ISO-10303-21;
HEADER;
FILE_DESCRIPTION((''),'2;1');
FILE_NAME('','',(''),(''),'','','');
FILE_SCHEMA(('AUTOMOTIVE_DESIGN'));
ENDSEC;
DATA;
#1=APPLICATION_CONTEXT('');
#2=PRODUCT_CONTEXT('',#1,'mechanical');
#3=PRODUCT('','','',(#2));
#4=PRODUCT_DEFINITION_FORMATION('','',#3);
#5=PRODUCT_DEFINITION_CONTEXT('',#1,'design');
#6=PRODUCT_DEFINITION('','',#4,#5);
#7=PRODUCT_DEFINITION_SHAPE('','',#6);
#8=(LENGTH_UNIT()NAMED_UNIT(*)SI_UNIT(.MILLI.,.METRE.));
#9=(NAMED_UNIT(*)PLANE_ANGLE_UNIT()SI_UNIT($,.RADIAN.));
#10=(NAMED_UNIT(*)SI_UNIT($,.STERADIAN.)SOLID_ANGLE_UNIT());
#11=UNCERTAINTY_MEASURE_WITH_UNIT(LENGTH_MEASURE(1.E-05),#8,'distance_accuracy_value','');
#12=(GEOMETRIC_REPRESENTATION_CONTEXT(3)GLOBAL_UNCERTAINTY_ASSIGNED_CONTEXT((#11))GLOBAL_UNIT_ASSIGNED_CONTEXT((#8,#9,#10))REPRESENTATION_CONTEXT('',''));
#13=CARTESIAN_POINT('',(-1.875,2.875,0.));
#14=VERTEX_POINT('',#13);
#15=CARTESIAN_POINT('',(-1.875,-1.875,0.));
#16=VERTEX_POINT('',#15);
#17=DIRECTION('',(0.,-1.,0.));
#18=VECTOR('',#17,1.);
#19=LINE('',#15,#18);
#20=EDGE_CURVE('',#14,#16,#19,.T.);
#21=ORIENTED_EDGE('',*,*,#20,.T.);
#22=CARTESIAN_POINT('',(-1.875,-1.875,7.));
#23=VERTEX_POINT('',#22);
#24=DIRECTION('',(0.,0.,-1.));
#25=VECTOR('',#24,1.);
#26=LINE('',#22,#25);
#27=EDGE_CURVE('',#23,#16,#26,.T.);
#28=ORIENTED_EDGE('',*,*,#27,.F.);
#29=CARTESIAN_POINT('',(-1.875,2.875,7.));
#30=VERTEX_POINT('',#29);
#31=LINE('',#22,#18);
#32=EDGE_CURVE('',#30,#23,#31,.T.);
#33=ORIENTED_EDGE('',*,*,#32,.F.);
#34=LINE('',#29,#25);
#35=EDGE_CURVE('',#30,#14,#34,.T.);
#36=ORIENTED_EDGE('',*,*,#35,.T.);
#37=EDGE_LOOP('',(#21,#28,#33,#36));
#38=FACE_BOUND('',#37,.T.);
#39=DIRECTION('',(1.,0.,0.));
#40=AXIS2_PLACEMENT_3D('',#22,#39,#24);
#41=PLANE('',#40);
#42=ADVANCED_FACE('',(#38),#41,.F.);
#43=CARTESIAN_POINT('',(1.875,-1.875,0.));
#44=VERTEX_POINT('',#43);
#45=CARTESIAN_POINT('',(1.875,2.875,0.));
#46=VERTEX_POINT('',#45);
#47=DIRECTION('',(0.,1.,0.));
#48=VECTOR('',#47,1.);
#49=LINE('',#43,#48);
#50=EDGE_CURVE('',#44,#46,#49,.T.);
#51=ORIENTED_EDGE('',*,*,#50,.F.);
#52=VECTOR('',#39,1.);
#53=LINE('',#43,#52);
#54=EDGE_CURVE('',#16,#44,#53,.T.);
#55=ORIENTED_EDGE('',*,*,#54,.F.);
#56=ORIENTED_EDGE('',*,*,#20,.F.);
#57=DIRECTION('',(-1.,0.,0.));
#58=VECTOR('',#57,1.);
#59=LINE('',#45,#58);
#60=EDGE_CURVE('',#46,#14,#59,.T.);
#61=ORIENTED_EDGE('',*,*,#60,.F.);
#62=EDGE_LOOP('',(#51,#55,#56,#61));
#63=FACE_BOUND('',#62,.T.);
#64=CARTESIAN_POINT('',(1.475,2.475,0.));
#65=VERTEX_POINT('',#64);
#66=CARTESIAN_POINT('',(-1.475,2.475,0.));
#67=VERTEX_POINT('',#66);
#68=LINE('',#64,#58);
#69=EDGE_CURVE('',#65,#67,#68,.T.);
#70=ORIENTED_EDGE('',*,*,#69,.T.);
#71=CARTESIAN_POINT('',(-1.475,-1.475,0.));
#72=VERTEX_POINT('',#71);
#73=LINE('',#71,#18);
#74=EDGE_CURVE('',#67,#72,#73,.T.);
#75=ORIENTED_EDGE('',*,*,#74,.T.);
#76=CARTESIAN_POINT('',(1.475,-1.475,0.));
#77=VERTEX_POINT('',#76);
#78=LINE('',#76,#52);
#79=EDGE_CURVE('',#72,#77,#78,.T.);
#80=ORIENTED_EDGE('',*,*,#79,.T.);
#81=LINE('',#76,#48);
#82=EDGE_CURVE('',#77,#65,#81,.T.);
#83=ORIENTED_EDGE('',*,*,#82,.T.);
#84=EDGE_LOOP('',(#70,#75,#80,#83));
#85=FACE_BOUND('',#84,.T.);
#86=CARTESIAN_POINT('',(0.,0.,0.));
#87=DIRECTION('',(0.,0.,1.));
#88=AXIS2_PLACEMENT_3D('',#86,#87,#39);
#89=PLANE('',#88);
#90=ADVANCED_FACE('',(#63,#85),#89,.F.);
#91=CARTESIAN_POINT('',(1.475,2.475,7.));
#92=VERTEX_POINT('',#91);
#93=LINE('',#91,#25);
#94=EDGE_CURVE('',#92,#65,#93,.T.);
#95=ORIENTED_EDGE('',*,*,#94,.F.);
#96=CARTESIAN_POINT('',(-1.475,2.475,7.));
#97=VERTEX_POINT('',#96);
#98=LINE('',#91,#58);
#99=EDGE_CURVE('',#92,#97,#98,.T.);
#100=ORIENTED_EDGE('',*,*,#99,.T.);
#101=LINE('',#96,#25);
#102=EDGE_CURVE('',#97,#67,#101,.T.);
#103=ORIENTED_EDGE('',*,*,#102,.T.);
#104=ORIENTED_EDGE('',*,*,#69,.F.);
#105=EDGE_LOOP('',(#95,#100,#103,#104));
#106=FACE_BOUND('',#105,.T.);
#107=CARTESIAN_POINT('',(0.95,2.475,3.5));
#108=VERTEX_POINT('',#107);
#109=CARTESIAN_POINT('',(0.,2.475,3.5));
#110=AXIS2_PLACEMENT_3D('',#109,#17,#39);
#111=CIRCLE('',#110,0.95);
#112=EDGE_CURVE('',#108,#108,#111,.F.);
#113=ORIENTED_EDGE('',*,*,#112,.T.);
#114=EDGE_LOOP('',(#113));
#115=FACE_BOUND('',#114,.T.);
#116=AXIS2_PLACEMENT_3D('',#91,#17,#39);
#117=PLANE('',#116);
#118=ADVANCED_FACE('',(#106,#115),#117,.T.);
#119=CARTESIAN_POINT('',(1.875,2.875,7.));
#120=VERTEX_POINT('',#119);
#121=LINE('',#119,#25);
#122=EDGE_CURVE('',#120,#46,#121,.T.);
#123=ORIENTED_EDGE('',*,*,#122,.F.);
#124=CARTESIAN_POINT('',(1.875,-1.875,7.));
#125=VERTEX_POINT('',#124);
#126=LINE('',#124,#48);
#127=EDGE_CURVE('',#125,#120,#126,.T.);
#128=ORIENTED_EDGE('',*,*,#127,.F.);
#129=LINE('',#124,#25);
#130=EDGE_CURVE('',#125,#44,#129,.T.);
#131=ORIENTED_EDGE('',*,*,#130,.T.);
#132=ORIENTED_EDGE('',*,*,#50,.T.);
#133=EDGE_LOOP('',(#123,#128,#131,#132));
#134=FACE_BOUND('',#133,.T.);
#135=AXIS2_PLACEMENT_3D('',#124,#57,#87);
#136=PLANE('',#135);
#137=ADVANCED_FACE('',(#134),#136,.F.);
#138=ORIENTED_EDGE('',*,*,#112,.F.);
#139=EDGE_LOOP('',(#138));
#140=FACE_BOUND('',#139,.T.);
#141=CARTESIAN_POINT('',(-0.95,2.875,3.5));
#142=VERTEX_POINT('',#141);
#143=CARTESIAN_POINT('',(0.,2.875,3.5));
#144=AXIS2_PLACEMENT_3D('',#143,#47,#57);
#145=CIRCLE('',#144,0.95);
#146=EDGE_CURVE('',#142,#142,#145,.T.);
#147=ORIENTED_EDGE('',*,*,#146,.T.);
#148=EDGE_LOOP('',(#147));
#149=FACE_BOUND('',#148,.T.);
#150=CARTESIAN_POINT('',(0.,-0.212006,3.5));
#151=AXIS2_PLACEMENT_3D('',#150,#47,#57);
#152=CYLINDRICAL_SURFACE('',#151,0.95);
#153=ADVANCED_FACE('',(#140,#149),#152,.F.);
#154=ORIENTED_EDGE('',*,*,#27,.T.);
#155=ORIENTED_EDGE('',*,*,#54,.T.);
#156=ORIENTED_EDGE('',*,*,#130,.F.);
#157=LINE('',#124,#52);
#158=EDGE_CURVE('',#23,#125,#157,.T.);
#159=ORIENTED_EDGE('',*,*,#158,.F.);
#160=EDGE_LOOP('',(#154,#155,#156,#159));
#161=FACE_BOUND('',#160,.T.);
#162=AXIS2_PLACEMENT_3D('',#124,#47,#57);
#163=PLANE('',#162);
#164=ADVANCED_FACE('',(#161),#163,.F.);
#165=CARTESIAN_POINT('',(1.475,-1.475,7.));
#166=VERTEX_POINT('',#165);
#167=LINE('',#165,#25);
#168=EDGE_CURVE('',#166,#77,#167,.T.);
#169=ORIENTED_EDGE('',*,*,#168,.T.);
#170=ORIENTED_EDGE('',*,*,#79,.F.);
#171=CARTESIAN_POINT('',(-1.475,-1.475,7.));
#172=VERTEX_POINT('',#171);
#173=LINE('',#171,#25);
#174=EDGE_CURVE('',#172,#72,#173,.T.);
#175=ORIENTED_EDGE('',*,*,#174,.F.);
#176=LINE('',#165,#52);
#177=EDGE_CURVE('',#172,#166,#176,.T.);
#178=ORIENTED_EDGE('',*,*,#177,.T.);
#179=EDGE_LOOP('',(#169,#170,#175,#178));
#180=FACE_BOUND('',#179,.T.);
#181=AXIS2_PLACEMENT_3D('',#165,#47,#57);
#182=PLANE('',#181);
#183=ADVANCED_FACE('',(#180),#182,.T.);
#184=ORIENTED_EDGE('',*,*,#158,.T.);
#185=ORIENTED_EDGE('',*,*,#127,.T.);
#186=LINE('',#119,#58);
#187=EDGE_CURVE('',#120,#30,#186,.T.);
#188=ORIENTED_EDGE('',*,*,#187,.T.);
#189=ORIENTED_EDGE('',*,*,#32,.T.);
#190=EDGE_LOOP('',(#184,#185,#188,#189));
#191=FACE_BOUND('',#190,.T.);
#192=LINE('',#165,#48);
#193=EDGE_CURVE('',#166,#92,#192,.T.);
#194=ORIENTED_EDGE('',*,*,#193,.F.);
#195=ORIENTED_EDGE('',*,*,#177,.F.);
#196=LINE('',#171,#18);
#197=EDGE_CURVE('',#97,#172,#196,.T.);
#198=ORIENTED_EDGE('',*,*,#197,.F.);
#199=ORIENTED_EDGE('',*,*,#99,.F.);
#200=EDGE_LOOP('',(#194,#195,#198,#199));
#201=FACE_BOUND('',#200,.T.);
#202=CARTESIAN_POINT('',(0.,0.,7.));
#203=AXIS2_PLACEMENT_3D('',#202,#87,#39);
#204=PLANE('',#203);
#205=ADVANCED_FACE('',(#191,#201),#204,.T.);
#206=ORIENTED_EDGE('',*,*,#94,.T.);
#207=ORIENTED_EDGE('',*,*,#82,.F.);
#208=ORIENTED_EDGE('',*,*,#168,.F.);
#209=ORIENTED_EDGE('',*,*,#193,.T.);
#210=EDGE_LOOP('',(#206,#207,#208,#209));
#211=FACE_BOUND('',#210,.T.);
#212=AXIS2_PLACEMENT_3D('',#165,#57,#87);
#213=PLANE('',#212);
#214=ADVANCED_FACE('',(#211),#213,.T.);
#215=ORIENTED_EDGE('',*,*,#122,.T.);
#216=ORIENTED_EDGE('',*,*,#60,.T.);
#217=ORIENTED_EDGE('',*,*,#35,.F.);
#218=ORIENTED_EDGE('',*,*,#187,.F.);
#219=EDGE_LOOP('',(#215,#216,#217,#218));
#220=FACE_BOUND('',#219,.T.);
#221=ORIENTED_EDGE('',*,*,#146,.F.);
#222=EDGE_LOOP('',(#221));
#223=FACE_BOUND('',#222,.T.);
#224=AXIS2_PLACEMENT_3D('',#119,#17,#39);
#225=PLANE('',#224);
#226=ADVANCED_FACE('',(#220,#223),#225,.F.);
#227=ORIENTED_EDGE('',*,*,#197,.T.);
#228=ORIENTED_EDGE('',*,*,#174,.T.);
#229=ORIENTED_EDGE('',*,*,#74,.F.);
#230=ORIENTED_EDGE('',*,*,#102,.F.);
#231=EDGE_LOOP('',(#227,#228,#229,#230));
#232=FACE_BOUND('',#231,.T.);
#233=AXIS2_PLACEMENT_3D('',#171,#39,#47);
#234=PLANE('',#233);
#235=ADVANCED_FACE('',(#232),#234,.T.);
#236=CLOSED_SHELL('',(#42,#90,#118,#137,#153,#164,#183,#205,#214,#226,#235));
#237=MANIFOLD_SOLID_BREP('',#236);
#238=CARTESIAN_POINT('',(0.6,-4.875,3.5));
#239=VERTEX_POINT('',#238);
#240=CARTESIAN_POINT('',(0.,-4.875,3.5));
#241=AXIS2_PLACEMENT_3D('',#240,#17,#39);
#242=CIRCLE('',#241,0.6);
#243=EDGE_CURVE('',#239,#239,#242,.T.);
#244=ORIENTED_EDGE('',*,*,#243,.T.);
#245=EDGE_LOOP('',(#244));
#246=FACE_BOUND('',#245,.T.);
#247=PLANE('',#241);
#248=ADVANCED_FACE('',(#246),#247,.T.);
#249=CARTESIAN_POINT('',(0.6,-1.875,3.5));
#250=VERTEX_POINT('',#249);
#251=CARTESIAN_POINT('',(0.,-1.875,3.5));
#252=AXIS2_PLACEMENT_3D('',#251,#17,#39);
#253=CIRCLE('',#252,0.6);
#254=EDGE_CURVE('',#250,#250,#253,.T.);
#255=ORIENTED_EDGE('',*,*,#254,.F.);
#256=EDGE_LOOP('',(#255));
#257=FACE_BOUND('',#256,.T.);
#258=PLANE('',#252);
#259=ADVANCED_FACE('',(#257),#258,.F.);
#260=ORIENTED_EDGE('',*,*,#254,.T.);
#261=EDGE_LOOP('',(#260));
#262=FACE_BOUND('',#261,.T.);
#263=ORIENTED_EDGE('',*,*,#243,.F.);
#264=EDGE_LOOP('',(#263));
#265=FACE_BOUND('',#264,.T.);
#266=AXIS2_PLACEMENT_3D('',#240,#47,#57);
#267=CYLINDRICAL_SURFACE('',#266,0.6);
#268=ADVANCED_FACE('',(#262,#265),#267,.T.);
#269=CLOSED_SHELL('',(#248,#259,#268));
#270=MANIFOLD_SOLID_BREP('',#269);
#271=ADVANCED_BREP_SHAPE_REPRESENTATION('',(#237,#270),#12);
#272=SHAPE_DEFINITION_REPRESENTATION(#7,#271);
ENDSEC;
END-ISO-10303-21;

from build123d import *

# Parameters (mm, degrees)
SKETCH1_W           = 3.75
SKETCH1_H           = 4.75
SKETCH1_W_2         = 2.95
SKETCH1_H_2         = 3.95
BOSS_EXTRUDE1_DEPTH = 7
SKETCH2_R           = 0.6
BOSS_EXTRUDE2_DEPTH = 3
SKETCH3_R           = 0.95
CUT_EXTRUDE4_DEPTH  = 0.4


with BuildPart() as part:
    # Sketch1 → Boss-Extrude1 (new body)
    with BuildSketch(Plane.XY):
        with Locations((0, 0.5)):
            Rectangle(SKETCH1_W, SKETCH1_H)
        with Locations((0, 0.5)):
            Rectangle(SKETCH1_W_2, SKETCH1_H_2, mode=Mode.SUBTRACT)
    extrude(amount=BOSS_EXTRUDE1_DEPTH)

    # Sketch3 → Cut-Extrude4 (cut)
    with BuildSketch(Plane(origin=(0, 2.875, 0), x_dir=(1, 0, 0), z_dir=(0, 1, 0))):
        with Locations(Location((0, -3.5, 0), (0, 0, 180))):  # turned: the seam where the file's is
            Circle(SKETCH3_R)
    extrude(amount=-CUT_EXTRUDE4_DEPTH, mode=Mode.SUBTRACT)


with BuildPart() as body_2:
    # Sketch2 → Boss-Extrude2 (new body)
    with BuildSketch(Plane(origin=(0, -1.875, 0), x_dir=(-1, 0, 0), z_dir=(0, -1, 0))):
        with Locations(Location((0, -3.5, 0), (0, 0, 180))):  # turned: the seam where the file's is
            Circle(SKETCH2_R)
    extrude(amount=BOSS_EXTRUDE2_DEPTH)


solid = Compound([part.part, body_2.part])
